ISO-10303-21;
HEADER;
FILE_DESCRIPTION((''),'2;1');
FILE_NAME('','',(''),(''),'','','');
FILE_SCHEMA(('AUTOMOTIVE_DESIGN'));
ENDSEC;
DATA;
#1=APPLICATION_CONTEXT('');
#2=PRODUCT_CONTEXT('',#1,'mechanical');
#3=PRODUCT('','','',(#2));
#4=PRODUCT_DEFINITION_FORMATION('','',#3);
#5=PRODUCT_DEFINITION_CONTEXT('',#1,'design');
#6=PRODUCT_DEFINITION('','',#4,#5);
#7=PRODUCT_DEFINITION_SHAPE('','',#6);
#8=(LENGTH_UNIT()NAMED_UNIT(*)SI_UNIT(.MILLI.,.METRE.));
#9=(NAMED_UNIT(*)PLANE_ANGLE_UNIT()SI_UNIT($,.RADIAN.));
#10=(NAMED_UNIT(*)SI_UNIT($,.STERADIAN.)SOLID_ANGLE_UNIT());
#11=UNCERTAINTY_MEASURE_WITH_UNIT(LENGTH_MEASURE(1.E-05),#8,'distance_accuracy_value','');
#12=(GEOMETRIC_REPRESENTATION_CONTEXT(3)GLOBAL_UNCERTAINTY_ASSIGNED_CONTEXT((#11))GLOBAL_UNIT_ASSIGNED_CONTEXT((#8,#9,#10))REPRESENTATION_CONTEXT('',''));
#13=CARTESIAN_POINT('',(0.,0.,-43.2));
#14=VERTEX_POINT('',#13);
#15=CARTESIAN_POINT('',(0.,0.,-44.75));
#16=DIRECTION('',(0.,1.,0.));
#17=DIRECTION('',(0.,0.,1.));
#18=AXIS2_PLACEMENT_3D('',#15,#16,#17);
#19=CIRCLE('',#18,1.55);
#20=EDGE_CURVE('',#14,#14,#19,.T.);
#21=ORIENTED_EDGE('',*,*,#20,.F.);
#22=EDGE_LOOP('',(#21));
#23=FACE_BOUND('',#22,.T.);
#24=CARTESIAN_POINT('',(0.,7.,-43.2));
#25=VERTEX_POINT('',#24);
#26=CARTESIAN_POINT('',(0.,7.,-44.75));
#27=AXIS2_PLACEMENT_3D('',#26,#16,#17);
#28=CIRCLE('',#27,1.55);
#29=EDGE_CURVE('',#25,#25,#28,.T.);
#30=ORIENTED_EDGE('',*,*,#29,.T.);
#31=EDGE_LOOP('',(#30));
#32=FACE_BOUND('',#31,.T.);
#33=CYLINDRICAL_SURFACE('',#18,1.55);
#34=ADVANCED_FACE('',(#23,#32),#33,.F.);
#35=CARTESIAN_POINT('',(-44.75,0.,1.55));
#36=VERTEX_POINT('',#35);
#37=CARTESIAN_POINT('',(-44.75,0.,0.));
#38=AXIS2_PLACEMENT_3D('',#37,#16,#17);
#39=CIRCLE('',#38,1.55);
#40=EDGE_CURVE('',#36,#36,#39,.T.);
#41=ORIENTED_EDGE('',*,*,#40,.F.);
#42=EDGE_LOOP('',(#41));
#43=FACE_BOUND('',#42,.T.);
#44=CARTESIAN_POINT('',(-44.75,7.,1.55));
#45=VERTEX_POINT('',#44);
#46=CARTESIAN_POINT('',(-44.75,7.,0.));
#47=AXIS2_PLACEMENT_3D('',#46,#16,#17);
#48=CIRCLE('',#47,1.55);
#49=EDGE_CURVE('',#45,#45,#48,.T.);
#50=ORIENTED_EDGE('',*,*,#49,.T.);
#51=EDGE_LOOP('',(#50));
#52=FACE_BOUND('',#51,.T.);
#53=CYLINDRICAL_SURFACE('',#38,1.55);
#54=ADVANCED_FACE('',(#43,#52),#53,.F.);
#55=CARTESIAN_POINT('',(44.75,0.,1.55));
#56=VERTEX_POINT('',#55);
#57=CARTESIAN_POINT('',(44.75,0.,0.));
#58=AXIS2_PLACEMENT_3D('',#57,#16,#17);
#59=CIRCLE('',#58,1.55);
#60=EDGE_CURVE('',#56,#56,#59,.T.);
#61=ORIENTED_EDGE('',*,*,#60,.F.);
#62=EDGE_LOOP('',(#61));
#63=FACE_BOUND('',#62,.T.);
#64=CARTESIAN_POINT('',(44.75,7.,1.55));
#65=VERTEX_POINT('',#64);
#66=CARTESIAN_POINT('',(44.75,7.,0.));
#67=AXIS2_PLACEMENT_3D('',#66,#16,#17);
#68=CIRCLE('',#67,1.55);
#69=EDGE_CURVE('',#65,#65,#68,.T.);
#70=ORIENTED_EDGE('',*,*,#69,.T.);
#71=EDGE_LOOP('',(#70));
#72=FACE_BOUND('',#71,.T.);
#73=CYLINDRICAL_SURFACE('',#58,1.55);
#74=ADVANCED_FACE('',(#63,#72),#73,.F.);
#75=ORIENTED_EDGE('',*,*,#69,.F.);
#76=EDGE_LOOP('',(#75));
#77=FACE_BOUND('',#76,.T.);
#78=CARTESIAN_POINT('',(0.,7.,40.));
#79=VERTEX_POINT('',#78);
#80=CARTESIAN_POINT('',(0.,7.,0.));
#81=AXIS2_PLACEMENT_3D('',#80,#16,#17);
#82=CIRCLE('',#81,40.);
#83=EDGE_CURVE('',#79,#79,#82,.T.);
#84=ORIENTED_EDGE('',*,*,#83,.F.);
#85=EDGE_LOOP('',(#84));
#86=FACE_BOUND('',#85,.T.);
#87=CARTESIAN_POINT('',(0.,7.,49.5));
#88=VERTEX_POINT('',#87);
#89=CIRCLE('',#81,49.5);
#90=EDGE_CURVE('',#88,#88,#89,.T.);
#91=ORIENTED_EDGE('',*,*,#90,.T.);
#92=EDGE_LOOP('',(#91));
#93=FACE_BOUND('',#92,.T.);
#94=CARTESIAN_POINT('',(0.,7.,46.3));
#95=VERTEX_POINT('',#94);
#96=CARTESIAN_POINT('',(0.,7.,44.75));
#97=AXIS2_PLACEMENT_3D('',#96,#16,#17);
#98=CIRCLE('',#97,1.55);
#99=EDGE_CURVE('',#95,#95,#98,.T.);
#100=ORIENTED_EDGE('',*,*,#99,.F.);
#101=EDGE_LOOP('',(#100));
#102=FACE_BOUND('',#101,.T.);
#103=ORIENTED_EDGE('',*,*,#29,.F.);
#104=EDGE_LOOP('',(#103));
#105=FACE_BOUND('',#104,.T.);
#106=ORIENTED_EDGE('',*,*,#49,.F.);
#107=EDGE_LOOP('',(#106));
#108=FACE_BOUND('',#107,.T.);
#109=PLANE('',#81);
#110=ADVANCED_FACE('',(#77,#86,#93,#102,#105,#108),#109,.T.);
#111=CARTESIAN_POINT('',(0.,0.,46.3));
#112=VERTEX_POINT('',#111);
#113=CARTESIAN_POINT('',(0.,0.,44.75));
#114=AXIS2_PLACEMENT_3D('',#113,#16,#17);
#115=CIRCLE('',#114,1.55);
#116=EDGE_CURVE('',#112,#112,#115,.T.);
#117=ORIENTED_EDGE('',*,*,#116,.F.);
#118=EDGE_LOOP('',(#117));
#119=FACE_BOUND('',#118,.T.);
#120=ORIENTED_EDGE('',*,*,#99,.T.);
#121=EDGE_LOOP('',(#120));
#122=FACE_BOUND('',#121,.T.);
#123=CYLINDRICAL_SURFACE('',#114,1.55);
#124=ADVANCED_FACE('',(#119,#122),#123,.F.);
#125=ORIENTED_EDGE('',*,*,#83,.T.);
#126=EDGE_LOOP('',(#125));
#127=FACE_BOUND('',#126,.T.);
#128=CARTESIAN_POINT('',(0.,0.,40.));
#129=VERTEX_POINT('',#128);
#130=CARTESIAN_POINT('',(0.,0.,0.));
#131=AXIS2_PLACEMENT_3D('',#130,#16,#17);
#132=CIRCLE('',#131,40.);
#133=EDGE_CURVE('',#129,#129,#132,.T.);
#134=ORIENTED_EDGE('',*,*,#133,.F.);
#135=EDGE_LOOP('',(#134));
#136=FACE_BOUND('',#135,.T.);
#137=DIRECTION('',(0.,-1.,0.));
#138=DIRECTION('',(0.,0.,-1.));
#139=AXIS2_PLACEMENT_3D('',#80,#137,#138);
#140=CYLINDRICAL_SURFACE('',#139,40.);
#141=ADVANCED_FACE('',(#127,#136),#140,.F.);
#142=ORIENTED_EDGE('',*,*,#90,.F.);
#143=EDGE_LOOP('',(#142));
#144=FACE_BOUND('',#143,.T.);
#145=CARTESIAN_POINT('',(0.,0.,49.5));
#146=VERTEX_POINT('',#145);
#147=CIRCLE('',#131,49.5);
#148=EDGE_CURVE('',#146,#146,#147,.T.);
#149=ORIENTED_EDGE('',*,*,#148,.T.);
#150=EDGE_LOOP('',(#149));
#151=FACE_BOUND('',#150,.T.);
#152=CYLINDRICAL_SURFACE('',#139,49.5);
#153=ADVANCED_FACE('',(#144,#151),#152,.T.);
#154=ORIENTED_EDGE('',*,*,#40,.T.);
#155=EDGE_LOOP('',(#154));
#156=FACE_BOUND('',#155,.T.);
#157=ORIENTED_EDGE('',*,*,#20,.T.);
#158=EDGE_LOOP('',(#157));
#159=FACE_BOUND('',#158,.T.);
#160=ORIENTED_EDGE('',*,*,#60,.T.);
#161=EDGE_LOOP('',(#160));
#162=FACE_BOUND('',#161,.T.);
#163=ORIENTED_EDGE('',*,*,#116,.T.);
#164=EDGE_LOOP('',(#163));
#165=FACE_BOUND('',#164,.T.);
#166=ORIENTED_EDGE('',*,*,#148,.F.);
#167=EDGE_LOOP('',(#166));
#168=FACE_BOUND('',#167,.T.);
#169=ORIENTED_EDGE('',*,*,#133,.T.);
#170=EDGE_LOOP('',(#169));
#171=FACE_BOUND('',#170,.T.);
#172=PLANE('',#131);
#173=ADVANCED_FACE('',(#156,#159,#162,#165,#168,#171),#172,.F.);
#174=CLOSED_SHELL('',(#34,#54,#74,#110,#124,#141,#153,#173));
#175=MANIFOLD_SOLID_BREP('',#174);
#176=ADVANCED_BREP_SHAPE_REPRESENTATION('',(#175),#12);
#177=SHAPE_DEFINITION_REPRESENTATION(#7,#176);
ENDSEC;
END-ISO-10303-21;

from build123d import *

# Parameters (mm, degrees)
SKETCH_1_R          = 49.5
SKETCH_1_R_2        = 40
EXTRUDE_1_DEPTH     = 7
SKETCH_2_R          = 1.55
CUT_EXTRUDE_1_DEPTH = 7


with BuildPart() as part:
    # 草图1 → 凸台-拉伸1 (new body)
    with BuildSketch(Plane(origin=(0, 0, 0), x_dir=(1, 0, 0), z_dir=(0, 1, 0))):
        with Locations(Location((0, 0, 0), (0, 0, 270))):
            Circle(SKETCH_1_R)
        with Locations(Location((0, 0, 0), (0, 0, 270))):
            Circle(SKETCH_1_R_2, mode=Mode.SUBTRACT)
    extrude(amount=EXTRUDE_1_DEPTH)

    # 草图2 → 切除-拉伸1 (cut)
    with BuildSketch(Plane(origin=(0, 7, 0), x_dir=(1, 0, 0), z_dir=(0, 1, 0))):
        with Locations(Location((-44.75, 0, 0), (0, 0, 270))):
            Circle(SKETCH_2_R)
        with Locations(Location((0, 44.75, 0), (0, 0, 270))):
            Circle(SKETCH_2_R)
        with Locations(Location((44.75, 0, 0), (0, 0, 270))):
            Circle(SKETCH_2_R)
        with Locations(Location((0, -44.75, 0), (0, 0, 270))):
            Circle(SKETCH_2_R)
    extrude(amount=-CUT_EXTRUDE_1_DEPTH, mode=Mode.SUBTRACT)


solid = part.part
